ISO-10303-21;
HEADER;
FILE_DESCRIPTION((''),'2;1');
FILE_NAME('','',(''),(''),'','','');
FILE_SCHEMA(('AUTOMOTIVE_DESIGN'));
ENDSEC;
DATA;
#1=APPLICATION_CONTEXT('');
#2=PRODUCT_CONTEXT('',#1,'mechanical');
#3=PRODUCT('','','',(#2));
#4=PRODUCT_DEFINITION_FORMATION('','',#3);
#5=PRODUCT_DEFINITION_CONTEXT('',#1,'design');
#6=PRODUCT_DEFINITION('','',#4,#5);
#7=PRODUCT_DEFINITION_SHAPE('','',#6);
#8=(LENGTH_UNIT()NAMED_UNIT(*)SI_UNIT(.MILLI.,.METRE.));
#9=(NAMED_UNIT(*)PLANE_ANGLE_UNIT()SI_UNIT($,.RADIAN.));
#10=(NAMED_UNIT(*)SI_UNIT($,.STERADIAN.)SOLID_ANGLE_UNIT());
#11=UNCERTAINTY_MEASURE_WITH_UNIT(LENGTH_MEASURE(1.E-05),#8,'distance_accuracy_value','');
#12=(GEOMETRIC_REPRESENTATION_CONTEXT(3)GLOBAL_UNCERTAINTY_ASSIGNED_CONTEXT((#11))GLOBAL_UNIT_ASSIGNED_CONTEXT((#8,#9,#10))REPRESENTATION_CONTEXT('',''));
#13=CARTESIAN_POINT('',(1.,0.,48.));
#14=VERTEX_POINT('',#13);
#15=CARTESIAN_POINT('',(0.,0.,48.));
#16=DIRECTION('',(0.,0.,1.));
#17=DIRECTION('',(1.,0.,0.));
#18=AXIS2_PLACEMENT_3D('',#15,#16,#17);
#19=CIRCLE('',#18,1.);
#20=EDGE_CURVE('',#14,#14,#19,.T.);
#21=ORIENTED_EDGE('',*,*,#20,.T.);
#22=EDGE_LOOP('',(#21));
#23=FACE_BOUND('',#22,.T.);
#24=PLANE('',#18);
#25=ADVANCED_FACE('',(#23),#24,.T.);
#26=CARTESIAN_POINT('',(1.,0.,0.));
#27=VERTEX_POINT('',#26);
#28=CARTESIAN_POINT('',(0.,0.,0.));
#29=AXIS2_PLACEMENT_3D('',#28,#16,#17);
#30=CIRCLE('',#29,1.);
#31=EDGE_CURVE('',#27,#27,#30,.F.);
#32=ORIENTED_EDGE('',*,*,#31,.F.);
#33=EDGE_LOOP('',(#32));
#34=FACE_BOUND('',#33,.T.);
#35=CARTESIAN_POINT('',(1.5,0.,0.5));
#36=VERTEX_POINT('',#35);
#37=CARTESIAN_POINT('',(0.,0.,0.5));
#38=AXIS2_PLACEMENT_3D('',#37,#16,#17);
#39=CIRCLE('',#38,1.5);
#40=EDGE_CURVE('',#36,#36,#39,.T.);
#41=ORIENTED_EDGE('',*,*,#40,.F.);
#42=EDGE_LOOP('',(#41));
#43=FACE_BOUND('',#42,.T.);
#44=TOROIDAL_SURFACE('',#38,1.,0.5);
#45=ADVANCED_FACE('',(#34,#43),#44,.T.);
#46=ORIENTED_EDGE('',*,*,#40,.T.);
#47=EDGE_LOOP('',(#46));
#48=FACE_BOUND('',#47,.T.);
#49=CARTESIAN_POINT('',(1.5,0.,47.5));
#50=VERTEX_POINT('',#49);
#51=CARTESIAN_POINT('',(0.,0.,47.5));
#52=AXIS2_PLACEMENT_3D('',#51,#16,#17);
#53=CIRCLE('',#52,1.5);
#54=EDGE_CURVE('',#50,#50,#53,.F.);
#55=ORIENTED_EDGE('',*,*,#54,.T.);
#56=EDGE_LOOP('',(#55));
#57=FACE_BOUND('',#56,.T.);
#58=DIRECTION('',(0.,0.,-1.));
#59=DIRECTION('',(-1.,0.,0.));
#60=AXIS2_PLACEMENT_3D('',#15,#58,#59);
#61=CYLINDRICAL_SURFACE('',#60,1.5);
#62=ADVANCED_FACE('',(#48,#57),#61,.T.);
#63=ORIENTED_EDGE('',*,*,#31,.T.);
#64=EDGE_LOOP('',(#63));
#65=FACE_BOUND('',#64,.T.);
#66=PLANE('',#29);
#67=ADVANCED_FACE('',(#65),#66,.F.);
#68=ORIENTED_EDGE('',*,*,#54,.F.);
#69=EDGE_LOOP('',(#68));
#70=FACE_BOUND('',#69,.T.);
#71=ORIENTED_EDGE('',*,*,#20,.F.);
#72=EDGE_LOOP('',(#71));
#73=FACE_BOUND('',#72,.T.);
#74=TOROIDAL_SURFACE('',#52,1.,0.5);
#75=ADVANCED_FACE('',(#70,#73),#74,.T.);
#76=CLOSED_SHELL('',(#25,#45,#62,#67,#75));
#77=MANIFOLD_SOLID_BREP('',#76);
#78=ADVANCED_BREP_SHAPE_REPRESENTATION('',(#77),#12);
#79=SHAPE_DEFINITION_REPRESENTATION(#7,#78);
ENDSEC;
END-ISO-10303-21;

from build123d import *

# Parameters (mm, degrees)
ESQUISSE1_R      = 1.5
EXTRUSION1_DEPTH = 48
CONG_1_R         = 0.5


with BuildPart() as part:
    # Esquisse1 → Extrusion1 (new body)
    with BuildSketch(Plane.XY):
        Circle(ESQUISSE1_R)
    extrude(amount=EXTRUSION1_DEPTH)

    # Congé1
    cong_1_edges = [part.edges().sort_by_distance(p)[0] for p in [
        (-1.5, 0, 0),
        (-1.5, 0, 48),
    ]]
    fillet(cong_1_edges, radius=CONG_1_R)


solid = part.part
